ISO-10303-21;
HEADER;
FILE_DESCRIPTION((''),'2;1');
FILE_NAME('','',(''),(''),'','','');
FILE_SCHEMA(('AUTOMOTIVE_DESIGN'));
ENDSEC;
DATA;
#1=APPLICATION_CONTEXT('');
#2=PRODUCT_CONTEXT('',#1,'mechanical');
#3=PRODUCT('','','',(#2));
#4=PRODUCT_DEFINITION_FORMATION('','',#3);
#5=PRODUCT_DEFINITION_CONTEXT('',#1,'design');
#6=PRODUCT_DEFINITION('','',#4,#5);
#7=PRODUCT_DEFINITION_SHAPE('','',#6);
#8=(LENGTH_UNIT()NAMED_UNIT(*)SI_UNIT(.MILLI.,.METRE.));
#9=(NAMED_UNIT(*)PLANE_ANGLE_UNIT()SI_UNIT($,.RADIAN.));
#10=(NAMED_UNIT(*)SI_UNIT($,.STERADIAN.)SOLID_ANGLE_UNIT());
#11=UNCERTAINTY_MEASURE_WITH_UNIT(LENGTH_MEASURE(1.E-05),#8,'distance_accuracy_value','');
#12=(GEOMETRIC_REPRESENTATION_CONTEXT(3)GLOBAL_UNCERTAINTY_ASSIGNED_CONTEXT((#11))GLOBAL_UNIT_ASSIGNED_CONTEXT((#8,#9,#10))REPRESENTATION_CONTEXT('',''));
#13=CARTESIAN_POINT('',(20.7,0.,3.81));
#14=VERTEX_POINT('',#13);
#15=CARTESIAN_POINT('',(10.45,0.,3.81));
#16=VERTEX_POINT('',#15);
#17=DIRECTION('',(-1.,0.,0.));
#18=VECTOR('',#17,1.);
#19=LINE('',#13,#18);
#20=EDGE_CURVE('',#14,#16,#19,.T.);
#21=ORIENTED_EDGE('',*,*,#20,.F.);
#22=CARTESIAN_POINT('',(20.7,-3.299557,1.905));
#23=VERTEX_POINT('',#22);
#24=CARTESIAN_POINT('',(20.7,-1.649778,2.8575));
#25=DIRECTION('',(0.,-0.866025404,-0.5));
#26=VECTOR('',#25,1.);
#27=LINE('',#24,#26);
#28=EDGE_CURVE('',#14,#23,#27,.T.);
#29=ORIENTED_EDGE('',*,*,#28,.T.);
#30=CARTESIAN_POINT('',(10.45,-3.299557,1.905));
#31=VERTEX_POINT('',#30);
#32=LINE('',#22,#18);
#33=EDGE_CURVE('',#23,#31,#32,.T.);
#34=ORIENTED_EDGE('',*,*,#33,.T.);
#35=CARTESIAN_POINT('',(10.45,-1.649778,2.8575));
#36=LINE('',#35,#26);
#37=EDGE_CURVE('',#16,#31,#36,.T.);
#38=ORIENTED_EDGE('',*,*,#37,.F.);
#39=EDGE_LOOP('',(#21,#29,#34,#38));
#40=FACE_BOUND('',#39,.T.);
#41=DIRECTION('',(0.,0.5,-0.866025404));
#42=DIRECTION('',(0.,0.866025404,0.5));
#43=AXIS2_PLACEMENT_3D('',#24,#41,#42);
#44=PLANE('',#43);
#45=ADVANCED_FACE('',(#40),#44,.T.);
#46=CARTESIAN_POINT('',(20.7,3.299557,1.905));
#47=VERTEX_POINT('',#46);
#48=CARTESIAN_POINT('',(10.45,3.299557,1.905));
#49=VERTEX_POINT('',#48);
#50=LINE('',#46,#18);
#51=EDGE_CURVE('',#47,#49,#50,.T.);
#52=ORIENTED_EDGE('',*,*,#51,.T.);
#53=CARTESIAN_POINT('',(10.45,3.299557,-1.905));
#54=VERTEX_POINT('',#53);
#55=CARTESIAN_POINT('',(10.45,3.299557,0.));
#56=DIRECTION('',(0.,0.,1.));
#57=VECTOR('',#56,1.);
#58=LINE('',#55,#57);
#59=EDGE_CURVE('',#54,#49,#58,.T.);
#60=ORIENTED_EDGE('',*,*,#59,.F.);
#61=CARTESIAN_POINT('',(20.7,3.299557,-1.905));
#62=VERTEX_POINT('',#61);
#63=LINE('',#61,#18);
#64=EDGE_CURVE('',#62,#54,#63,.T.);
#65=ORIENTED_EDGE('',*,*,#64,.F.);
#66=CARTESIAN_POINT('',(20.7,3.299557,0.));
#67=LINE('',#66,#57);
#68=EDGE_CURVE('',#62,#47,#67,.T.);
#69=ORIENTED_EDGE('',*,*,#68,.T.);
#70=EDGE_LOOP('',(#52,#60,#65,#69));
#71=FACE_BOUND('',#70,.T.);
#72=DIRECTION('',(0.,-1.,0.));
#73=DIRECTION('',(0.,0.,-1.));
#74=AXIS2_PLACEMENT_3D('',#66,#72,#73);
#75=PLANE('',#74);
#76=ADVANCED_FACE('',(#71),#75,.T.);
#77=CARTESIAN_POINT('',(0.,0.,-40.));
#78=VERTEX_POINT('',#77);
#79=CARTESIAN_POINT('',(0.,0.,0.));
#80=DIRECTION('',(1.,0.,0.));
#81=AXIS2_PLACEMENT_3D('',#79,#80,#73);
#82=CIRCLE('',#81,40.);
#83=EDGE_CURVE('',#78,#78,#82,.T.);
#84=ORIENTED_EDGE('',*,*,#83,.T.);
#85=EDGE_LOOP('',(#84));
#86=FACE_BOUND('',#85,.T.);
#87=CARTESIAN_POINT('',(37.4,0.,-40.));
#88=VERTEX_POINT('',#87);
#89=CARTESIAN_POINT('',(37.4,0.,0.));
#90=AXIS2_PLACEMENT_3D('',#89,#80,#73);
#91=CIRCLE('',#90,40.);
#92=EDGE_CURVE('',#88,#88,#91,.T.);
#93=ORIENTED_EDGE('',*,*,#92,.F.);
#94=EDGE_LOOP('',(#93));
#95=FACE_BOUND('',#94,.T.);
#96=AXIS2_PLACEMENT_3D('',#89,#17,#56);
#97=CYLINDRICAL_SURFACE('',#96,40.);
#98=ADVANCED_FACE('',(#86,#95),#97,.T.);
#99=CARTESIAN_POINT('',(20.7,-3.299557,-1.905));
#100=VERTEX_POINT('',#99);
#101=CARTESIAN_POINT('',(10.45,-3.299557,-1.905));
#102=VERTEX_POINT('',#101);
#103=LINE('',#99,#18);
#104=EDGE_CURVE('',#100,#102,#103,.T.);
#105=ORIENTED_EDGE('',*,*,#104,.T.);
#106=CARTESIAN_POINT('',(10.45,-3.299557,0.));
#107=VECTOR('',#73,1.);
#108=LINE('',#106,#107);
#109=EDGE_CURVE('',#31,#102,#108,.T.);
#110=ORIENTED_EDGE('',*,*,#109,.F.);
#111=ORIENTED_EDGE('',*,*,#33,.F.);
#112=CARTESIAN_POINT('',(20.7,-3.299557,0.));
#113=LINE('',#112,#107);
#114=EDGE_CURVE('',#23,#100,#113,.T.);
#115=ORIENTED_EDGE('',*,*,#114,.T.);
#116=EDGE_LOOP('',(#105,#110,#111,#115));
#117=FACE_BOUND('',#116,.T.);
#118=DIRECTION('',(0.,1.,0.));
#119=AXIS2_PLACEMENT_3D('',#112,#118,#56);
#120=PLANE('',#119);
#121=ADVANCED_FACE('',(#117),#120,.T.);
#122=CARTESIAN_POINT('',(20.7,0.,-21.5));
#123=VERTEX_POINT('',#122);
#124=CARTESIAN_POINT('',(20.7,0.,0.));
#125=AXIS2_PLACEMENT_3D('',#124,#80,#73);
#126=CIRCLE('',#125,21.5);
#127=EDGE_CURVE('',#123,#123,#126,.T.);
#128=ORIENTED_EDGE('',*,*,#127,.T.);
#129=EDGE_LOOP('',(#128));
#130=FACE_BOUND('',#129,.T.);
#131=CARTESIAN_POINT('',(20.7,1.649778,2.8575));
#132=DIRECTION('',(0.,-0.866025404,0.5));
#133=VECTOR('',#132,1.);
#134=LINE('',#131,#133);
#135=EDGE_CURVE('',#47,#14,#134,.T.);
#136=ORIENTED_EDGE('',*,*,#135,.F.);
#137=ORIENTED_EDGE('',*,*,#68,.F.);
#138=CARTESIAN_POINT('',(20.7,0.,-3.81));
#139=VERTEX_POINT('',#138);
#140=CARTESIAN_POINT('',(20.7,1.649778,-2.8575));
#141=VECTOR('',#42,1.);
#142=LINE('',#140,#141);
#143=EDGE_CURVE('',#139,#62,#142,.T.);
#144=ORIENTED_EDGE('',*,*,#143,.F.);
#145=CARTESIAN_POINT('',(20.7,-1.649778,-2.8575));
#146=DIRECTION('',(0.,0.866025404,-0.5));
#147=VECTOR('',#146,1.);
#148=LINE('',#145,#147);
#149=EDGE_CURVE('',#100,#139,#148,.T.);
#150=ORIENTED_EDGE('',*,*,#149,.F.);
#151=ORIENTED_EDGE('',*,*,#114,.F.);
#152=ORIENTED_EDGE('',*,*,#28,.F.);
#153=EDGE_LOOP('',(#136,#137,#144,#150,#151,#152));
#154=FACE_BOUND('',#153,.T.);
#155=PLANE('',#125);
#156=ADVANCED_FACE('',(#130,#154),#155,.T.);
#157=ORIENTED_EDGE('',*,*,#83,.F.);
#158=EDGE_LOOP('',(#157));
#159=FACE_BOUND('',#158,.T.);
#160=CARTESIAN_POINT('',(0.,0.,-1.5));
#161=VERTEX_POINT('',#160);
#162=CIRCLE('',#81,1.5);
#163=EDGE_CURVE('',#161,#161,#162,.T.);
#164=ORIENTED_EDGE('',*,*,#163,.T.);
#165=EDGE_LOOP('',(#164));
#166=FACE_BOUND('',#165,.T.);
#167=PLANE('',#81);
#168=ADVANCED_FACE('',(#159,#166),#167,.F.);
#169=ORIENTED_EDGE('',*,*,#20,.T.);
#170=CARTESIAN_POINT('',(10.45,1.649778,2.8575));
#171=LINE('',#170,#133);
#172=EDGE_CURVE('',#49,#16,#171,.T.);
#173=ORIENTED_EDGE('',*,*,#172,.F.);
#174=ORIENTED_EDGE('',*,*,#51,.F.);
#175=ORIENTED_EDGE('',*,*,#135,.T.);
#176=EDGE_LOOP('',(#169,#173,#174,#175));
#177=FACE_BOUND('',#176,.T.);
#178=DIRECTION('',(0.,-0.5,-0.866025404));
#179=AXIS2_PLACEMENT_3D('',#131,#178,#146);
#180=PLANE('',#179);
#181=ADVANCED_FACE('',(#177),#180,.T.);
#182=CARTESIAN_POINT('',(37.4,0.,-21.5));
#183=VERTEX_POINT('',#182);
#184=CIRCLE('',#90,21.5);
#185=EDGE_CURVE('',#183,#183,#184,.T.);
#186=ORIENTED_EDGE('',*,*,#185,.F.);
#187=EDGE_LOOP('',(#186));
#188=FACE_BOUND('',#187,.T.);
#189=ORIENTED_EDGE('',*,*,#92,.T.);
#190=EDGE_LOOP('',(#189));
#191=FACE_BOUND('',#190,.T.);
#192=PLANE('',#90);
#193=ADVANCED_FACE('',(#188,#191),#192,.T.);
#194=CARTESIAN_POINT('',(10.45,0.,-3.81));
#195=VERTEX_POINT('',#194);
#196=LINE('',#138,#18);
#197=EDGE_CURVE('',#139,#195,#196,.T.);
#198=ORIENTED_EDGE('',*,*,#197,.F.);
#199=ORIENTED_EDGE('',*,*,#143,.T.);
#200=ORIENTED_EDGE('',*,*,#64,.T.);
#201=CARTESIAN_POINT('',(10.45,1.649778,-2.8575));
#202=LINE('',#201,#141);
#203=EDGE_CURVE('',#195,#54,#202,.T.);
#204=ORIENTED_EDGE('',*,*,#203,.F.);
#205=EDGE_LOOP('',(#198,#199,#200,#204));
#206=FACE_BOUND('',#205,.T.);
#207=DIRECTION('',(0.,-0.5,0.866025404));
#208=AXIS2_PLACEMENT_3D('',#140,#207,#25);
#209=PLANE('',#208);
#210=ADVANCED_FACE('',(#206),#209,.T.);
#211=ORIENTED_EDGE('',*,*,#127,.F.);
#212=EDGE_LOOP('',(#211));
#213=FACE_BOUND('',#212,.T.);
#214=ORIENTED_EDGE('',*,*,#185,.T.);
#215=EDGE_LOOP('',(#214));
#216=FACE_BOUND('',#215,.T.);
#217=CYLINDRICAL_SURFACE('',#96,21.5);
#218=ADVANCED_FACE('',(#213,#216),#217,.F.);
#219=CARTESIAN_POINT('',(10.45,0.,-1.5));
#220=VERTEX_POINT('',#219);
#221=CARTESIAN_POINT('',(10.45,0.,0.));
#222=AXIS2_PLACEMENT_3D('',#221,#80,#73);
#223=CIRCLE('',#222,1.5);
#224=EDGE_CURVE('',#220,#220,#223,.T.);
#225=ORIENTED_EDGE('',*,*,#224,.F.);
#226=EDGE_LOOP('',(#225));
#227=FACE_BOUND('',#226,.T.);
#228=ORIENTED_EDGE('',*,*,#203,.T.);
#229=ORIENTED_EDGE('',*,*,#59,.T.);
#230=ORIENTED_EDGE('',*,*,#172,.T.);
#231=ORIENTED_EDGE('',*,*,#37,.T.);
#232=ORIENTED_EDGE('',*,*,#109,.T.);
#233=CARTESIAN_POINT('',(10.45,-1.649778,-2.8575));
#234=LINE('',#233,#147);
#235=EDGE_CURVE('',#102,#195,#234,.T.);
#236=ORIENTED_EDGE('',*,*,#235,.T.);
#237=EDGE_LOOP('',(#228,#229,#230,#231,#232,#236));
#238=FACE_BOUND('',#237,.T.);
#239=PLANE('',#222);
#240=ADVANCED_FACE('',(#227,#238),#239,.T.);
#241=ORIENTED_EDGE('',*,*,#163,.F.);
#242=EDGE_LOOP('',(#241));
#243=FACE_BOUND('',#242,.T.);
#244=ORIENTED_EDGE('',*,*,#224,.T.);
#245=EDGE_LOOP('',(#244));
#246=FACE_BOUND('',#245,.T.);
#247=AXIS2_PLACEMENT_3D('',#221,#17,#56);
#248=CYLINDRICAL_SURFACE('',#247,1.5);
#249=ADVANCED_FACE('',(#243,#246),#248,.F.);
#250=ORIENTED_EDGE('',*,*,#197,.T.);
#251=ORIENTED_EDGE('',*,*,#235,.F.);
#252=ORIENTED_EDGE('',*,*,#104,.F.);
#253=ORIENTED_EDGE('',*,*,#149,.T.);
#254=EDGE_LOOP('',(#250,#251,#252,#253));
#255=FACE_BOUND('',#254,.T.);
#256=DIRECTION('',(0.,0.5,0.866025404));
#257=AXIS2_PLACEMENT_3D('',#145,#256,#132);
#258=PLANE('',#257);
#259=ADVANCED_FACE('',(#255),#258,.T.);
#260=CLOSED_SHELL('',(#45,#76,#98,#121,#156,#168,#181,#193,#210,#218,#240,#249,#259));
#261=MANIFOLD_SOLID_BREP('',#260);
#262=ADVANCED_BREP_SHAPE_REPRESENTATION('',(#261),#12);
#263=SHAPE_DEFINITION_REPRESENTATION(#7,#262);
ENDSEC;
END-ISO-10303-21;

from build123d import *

# Parameters (mm, degrees)
SKETCH1_R           = 40
SKETCH1_R_2         = 21.5
BOSS_EXTRUDE1_DEPTH = 37.4
SKETCH1_3_R         = 21.5
BOSS_EXTRUDE2_DEPTH = 20.7
SKETCH1_5_R         = 1.5
BOSS_EXTRUDE3_DEPTH = 10.45


with BuildPart() as part:
    # Sketch1 → Boss-Extrude1 (new body)
    with BuildSketch(Plane(origin=(0, 0, 0), x_dir=(0, 0, -1), z_dir=(1, 0, 0))):
        Circle(SKETCH1_R)
        Circle(SKETCH1_R_2, mode=Mode.SUBTRACT)
    extrude(amount=BOSS_EXTRUDE1_DEPTH)

    # Sketch1<3> → Boss-Extrude2 (add)
    with BuildSketch(Plane(origin=(0, 0, 0), x_dir=(0, 0, -1), z_dir=(1, 0, 0))):
        Circle(SKETCH1_3_R)
        Polygon((1.905, 3.299556788), (3.81, 0), (1.905, -3.299556788), (-1.905, -3.299556788), (-3.81, 0), (-1.905, 3.299556788), align=None, mode=Mode.SUBTRACT)
    extrude(amount=BOSS_EXTRUDE2_DEPTH)

    # Sketch1<5> → Boss-Extrude3 (add)
    with BuildSketch(Plane(origin=(0, 0, 0), x_dir=(0, 0, -1), z_dir=(1, 0, 0))):
        Polygon((1.905, -3.299556788), (3.81, 0), (1.905, 3.299556788), (-1.905, 3.299556788), (-3.81, 0), (-1.905, -3.299556788), align=None)
        Circle(SKETCH1_5_R, mode=Mode.SUBTRACT)
    extrude(amount=BOSS_EXTRUDE3_DEPTH)


solid = part.part
